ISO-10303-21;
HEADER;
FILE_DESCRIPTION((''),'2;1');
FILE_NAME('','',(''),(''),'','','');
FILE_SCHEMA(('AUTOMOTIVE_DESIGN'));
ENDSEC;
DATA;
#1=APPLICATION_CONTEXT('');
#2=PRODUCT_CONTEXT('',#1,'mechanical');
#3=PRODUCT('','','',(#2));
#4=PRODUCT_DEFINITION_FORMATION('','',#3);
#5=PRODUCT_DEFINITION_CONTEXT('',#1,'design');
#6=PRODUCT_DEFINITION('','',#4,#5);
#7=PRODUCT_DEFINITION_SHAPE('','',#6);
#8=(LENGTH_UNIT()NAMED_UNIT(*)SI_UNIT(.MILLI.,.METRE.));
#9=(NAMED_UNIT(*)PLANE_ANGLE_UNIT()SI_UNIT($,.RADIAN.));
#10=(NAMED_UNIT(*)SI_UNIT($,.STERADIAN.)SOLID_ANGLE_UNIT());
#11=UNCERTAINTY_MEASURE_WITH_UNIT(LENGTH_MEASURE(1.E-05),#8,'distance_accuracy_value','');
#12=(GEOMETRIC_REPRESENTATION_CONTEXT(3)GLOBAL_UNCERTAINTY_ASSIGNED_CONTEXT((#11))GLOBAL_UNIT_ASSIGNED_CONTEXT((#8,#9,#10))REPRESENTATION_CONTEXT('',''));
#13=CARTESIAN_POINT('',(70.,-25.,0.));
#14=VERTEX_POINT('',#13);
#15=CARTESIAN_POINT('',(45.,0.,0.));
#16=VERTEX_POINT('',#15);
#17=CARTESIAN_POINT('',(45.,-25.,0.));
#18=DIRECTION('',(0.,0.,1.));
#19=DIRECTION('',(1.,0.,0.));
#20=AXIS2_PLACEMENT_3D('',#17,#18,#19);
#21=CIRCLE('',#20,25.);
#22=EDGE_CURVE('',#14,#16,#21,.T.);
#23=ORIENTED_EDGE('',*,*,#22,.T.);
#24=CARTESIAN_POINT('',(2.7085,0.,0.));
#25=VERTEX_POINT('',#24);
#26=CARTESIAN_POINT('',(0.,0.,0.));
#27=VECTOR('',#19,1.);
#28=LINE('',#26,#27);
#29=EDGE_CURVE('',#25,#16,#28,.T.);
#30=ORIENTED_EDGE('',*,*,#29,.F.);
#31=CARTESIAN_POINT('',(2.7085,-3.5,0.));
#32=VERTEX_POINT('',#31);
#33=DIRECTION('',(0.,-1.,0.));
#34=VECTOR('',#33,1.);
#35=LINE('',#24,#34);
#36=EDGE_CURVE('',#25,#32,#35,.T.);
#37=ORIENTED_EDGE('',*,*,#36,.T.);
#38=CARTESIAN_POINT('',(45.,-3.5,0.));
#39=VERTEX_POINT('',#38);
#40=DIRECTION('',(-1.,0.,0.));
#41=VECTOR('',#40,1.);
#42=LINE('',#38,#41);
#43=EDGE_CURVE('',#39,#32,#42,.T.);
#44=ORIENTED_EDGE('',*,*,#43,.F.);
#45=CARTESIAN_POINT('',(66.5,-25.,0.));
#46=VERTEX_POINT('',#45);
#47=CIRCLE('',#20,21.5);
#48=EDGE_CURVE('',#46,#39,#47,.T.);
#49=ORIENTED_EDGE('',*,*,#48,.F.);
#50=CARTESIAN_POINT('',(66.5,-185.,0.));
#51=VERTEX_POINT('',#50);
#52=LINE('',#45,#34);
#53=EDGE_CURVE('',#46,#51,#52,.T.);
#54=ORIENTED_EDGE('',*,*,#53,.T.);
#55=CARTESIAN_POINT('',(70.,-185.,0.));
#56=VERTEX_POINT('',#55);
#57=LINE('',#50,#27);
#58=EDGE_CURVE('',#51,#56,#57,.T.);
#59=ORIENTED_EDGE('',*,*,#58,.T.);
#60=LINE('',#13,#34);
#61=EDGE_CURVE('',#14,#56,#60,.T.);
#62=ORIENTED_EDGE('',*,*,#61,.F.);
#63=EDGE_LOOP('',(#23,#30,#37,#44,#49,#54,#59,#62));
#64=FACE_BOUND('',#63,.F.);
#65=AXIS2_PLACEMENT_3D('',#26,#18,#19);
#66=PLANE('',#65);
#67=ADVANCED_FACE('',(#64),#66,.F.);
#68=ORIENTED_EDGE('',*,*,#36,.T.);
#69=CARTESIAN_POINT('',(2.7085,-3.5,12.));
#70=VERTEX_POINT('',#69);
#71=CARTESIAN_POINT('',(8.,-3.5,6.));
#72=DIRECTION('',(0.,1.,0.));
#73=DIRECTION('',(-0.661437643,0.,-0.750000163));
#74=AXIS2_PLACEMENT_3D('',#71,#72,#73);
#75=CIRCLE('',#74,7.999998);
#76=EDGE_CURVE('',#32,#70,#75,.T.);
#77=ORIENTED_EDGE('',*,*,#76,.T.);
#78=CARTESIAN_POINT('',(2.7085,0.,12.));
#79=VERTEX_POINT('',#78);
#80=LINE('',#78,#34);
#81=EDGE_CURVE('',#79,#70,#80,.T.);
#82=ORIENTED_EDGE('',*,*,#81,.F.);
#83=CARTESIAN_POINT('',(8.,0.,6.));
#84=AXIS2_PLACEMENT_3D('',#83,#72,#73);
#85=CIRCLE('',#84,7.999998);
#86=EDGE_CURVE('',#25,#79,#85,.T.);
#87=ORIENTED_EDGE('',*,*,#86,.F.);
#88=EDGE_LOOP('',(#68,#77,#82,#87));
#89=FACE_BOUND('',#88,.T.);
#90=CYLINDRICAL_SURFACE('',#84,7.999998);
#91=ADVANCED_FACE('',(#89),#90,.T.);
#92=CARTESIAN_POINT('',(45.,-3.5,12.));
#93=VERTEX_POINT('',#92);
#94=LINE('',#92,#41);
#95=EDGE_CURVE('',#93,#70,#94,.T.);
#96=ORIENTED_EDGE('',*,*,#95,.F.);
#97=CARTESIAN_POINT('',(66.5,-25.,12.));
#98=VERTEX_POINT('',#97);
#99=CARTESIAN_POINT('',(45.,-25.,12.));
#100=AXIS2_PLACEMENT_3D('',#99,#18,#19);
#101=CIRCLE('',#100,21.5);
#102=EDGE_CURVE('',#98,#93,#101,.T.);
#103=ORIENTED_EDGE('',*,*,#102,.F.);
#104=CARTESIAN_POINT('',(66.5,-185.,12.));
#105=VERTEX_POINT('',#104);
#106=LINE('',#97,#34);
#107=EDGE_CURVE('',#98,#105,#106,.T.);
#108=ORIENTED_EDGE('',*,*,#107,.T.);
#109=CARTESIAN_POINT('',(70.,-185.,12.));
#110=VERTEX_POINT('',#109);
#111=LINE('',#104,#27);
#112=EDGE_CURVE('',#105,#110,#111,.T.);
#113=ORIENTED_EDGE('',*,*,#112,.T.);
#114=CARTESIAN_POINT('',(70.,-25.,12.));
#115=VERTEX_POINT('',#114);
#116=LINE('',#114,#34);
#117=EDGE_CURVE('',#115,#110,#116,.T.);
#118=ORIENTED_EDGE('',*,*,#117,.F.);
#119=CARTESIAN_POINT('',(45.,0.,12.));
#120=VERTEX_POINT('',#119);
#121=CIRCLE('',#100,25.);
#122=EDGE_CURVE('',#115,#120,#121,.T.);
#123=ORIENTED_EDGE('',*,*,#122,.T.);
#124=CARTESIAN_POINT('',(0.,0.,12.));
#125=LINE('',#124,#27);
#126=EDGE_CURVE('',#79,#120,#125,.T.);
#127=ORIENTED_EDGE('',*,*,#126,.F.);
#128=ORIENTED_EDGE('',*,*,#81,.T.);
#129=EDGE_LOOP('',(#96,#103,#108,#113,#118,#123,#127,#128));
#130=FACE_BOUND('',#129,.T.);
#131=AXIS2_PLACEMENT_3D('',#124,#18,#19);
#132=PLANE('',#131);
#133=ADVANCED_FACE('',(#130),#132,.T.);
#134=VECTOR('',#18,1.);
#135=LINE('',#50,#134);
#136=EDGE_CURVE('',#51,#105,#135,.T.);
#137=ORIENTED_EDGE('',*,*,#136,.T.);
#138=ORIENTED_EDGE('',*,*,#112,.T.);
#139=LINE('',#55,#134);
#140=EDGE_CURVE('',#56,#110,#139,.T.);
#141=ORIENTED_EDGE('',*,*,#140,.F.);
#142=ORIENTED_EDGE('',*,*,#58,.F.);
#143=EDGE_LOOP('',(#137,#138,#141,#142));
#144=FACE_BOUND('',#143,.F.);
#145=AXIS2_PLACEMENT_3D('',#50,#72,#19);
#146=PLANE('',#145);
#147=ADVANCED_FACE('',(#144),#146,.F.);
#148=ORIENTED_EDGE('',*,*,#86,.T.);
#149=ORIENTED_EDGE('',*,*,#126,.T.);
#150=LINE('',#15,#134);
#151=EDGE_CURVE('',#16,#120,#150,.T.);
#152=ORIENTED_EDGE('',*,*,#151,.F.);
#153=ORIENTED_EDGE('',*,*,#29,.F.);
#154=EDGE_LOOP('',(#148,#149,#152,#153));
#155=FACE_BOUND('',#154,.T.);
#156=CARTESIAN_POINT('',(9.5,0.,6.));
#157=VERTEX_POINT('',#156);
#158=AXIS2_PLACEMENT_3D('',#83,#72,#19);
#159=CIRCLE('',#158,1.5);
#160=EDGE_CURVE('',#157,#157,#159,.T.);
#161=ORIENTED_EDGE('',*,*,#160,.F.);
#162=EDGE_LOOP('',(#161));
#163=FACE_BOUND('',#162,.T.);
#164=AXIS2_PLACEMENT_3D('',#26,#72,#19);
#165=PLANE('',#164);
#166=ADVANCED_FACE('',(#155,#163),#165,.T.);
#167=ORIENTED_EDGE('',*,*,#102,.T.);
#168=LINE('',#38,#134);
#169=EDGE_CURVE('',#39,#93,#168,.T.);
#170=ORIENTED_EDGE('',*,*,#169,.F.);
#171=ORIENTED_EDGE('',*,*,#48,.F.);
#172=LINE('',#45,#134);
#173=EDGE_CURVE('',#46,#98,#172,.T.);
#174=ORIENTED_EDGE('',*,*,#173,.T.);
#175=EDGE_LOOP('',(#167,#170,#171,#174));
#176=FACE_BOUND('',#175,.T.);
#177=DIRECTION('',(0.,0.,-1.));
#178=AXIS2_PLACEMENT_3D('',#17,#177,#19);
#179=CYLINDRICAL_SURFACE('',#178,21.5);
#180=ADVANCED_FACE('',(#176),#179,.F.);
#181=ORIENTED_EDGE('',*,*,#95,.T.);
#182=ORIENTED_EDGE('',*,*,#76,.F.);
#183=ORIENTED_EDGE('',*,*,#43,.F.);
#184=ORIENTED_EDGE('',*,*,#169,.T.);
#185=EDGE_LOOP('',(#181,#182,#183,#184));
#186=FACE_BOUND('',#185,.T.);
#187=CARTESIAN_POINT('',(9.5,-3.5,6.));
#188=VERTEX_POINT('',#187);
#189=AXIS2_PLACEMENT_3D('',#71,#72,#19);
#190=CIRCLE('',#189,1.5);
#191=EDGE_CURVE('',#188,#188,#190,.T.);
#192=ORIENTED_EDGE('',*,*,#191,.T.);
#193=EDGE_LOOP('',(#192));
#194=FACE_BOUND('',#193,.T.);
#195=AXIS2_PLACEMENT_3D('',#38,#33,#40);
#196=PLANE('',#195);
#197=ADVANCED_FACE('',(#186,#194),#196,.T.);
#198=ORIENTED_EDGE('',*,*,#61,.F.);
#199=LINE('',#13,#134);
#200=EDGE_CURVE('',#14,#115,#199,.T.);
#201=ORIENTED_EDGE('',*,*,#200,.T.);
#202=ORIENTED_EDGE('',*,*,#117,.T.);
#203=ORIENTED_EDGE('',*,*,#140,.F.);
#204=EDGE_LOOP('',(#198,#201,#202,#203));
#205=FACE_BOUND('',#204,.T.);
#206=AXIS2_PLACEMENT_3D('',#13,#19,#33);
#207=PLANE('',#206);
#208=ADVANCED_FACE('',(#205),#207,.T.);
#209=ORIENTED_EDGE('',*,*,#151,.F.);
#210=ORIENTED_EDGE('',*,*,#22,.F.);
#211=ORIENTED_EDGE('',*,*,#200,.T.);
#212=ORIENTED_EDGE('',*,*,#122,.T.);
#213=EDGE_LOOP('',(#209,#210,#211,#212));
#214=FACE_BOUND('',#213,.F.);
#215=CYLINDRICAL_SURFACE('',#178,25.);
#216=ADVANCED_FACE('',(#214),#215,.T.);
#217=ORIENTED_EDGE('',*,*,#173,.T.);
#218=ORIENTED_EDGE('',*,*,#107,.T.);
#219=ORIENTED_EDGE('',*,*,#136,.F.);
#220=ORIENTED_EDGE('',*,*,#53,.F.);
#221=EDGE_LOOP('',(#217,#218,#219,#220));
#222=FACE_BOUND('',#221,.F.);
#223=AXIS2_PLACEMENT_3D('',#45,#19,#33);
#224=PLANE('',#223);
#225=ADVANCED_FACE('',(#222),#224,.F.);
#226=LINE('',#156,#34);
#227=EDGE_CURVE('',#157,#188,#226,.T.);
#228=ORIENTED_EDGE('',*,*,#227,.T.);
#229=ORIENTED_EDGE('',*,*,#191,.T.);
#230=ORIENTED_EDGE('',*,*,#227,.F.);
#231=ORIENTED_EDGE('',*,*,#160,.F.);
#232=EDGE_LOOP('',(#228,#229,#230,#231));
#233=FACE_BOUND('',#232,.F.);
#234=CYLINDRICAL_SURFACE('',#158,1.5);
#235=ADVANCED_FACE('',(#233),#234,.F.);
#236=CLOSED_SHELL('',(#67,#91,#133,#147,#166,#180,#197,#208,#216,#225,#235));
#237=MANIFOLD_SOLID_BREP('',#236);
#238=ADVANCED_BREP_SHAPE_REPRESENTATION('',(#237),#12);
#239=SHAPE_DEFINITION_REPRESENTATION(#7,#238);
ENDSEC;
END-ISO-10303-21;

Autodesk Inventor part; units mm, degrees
ref_plane "YZ Plane" through (0, 0, 0) normal (1, 0, 0) x (0, 1, 0)
ref_plane "XZ Plane" through (0, 0, 0) normal (0, 1, 0) x (-1, 0, 0)
ref_plane "XY Plane" through (0, 0, 0) normal (0, 0, 1) x (1, 0, 0)
sketch "Sketch1" plane through (0, 0, 0) normal (0, 0, 1) x (1, 0, 0)
  line L0 (0, 0) -> (45, 0)
  line L1 (45, 0) -> (45, 0)
  line L2 (70, -25) -> (70, -25)
  line L3 (70, -25) -> (70, -185)
  arc A0 (70, -25) -> (45, 0) centre (45, -25) ccw
  arc A1 (66.5, -25) -> (45, -3.5) centre (45, -25) ccw
  line L4 (45, -3.5) -> (0, -3.5)
  line L5 (0, -3.5) -> (0, 0)
  line L6 (66.5, -25) -> (66.5, -185)
  line L7 (66.5, -25) -> (226.5, -25) construction
  line L8 (66.5, -185) -> (70, -185)
  point P0 (70, 0)
  dimension "d0" = 45
  dimension "d1" = 25
  dimension "d2" = 25
  dimension "d3" = 160
  dimension "d4" = 25
  dimension "d5" = 43
  dimension "d6" = 160
  dimension "d7" = 90
extrude "Extrusion1" add sketch "Sketch1" along normal blind 12
sketch "Sketch2" plane through (0, 0, 0) normal (0, 1, 0) x (1, 0, 0)
  line L0 (0, 0) -> (0, -12) construction
  line L1 (0, -6) -> (8, -6) construction
  circle A0 centre (8, -6) radius 1.5
  line L2 (0, 0) -> (2, 0) construction
  line L3 (2, 0) -> (2, -12) construction
  line L4 (45, -12) -> (0, -12) construction
  line L5 (2, -12) -> (0, -12) construction
  arc A1 (2.7085, 0) -> (2.7085, -12) centre (8, -6) ccw
  line L6 (0, 0) -> (45, 0) projected
  line L7 (0, 0) -> (0, -12) projected
  line L8 (45, -12) -> (0, -12) projected
  line L9 (45, 0) -> (45, -12) projected
  dimension "d10" = 8
  dimension "d11" = 3
  dimension "d12" = 2
extrude "Extrusion2" cut sketch "Sketch2" along normal through all both and the other way through all contours A0 | A1 L7 L6 | A1 L8 L7
properties part number "topbar"
